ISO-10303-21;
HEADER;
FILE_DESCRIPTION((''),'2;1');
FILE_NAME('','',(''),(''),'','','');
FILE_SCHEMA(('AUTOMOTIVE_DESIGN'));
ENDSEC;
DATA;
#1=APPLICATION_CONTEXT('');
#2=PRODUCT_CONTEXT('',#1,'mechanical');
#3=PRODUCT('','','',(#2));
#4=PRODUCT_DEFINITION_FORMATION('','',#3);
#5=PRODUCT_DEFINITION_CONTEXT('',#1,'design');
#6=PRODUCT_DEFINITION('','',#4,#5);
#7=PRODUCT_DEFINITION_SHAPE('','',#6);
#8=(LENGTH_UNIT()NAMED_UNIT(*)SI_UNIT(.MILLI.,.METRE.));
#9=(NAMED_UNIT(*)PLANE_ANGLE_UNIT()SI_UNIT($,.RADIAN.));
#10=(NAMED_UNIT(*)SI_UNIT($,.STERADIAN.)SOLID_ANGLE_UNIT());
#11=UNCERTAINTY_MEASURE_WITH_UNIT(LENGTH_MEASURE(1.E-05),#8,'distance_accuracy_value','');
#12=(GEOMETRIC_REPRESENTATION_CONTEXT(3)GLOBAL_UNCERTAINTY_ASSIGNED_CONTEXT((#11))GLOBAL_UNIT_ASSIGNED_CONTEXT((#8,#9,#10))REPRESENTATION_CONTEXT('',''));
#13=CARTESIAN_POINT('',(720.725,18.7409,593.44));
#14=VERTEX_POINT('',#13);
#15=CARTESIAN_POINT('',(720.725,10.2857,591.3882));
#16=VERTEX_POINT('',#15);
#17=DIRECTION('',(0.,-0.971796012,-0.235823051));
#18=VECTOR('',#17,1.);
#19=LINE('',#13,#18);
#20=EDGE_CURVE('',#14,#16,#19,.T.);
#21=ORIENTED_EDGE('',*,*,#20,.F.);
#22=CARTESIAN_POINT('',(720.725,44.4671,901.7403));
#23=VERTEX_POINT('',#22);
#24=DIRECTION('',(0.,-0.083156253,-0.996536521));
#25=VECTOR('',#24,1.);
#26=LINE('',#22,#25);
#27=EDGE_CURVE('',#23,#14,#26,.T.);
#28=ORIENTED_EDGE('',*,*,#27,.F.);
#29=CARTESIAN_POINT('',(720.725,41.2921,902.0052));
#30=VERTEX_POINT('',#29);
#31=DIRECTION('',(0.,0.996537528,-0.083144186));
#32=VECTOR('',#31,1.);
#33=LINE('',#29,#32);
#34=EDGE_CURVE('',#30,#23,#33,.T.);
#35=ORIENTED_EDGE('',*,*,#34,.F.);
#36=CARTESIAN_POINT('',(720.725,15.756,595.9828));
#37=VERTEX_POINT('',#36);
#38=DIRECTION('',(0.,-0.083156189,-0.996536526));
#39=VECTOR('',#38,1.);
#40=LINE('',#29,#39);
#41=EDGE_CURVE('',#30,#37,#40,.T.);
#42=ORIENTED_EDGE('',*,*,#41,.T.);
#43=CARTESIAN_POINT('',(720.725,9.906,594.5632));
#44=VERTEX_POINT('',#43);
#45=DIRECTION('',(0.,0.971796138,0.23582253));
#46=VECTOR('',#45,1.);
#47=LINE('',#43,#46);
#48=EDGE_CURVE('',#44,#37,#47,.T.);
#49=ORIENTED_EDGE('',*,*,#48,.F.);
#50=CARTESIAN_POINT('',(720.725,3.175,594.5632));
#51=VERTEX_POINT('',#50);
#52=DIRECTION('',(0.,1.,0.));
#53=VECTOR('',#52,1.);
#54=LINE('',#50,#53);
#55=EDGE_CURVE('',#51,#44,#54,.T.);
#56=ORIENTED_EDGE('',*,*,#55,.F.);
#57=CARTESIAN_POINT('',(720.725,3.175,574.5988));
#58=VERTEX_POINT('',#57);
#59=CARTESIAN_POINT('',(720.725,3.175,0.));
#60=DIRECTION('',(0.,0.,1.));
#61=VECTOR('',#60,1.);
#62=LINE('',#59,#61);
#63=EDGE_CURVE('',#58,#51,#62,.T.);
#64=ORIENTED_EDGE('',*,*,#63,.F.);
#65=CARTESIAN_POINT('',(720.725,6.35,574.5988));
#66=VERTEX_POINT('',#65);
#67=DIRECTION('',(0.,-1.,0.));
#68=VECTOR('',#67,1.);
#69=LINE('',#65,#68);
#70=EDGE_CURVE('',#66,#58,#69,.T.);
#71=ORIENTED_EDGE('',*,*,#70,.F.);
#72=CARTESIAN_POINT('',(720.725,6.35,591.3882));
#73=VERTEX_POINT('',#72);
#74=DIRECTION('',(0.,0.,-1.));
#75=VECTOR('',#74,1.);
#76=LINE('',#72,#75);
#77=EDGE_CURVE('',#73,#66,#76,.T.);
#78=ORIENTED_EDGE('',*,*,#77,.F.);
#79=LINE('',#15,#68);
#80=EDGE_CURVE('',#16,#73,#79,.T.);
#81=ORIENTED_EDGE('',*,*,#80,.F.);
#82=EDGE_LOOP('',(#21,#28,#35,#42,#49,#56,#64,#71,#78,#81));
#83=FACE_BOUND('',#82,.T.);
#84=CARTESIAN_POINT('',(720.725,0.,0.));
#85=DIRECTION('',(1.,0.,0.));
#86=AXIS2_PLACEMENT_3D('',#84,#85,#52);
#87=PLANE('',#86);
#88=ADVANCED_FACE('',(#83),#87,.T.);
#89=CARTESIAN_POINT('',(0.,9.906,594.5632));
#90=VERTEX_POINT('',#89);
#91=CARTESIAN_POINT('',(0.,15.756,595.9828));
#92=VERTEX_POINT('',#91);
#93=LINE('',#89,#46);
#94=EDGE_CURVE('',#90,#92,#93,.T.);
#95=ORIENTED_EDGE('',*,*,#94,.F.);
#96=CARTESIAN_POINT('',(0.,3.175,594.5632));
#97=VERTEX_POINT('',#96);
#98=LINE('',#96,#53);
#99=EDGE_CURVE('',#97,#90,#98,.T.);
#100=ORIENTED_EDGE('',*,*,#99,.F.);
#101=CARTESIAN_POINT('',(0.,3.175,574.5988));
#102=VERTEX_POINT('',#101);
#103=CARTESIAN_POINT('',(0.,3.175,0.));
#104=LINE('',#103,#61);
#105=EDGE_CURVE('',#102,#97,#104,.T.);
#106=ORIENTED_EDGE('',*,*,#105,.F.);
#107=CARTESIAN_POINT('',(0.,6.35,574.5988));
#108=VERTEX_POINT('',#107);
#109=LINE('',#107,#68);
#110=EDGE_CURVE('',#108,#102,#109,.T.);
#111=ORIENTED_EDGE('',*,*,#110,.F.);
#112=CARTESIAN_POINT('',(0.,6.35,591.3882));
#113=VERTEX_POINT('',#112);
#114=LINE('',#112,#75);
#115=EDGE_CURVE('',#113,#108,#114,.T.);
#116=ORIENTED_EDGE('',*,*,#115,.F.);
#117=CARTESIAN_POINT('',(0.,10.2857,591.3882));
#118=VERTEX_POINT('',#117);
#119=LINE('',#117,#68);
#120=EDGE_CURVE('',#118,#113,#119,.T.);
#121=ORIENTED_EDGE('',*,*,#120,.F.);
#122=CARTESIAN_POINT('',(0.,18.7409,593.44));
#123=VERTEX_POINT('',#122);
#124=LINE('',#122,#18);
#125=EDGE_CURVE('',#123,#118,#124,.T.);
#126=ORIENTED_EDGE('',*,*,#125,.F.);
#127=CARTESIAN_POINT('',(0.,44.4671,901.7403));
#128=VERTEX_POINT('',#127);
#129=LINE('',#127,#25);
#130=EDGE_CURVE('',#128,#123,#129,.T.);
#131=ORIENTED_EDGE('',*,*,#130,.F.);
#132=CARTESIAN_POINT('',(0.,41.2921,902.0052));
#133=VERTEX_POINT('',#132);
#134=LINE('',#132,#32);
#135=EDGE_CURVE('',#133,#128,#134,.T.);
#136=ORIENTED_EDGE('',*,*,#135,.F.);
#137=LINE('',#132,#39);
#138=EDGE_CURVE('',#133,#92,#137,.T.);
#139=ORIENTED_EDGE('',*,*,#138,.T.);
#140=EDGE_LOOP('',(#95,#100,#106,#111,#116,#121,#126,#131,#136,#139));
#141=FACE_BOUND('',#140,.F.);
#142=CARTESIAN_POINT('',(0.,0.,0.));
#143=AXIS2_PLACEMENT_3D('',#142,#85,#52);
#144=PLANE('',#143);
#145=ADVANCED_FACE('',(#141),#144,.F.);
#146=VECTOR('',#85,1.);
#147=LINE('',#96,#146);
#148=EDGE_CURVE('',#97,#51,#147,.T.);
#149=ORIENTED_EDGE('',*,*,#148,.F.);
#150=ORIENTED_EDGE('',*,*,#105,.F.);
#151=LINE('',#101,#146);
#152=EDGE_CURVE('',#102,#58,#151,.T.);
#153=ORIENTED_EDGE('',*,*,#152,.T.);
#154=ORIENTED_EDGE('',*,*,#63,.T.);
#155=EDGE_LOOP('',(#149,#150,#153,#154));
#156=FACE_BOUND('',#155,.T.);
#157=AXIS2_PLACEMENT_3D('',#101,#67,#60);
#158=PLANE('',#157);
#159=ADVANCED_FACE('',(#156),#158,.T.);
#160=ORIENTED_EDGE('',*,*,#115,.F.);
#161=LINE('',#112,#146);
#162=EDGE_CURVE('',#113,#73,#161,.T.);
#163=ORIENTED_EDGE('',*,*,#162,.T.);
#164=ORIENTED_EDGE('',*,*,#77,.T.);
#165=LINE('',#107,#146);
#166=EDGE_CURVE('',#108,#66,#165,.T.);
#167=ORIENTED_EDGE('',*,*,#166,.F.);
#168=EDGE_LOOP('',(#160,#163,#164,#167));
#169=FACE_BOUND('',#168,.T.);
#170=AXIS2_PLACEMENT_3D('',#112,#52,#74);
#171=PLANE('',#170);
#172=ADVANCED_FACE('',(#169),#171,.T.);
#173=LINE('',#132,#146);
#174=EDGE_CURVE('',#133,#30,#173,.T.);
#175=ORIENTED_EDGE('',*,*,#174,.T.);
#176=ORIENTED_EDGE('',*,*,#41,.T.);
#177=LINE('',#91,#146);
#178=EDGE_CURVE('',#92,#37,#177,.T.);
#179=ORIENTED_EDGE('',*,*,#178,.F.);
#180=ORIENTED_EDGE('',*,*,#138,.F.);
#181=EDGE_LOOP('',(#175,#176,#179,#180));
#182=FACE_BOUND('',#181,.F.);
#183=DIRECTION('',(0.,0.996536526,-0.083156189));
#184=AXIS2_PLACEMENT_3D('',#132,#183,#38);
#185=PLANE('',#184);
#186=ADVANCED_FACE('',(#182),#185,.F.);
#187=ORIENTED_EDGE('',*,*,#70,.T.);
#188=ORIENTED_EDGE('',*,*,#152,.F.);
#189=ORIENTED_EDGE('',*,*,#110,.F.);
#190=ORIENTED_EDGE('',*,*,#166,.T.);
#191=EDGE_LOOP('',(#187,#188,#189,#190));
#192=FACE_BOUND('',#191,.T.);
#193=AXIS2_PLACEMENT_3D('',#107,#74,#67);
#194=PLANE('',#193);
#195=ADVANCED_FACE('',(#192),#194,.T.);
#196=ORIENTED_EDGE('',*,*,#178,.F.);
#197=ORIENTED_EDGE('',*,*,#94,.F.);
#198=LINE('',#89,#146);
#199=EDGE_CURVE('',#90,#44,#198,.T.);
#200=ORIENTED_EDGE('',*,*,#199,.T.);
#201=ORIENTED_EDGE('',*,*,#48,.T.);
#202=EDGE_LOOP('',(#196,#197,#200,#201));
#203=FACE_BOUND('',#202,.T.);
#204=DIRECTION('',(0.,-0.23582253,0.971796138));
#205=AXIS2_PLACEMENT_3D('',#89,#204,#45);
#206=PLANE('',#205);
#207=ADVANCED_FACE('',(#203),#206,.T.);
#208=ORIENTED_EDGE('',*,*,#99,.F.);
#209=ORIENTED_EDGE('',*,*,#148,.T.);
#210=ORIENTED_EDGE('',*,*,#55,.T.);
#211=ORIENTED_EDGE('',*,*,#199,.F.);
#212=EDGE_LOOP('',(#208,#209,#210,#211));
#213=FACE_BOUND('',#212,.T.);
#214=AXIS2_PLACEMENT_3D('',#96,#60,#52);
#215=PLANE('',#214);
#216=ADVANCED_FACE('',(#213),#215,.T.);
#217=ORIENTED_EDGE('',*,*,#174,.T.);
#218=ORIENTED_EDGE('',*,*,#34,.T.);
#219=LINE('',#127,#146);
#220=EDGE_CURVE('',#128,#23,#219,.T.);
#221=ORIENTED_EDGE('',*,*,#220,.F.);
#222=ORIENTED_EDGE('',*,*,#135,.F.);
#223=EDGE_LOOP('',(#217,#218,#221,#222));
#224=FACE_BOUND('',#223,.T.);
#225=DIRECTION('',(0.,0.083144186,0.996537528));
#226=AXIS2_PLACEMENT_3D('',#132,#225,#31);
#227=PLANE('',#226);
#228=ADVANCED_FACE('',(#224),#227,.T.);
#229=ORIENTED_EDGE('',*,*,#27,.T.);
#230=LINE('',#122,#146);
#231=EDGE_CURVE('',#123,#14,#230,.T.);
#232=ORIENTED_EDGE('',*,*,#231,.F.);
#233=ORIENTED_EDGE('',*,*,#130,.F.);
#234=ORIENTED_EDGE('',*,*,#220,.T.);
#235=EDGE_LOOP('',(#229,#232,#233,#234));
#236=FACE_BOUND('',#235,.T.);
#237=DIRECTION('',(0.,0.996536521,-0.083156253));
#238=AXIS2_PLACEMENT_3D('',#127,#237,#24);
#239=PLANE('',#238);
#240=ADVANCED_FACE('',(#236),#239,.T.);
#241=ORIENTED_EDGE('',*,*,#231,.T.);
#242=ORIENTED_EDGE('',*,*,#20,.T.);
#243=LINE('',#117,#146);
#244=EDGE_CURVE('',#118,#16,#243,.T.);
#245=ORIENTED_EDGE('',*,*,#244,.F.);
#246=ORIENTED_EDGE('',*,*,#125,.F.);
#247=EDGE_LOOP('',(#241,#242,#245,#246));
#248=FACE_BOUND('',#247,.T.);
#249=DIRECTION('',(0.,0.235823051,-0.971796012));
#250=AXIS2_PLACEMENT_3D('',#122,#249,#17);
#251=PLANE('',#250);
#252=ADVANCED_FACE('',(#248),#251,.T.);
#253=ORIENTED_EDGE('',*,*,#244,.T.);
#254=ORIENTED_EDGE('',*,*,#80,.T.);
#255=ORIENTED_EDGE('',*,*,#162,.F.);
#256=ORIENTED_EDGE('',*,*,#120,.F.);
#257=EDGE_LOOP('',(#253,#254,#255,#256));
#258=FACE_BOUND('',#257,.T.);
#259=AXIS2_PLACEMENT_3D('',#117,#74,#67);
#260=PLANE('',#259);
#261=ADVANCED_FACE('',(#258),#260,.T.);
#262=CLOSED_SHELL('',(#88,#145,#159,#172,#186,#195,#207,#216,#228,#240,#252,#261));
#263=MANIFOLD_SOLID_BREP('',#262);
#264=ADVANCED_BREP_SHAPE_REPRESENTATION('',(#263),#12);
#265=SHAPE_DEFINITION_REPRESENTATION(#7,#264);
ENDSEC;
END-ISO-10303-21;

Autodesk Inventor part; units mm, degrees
ref_plane "YZ Plane" through (0, 0, 0) normal (1, 0, 0) x (0, 1, 0)
ref_plane "XZ Plane" through (0, 0, 0) normal (0, 1, 0) x (-1, 0, 0)
ref_plane "XY Plane" through (0, 0, 0) normal (0, 0, 1) x (1, 0, 0)
sketch "Sketch1" plane through (0, 0, 0) normal (1, 0, 0) x (0, 1, 0)
  line L0 (0, 0) -> (0, 597.7382)
  line L1 (0, 0) -> (3.175, 0)
  line L2 (3.175, 0) -> (3.175, 594.5632)
  line L3 (3.175, 594.5632) -> (9.906, 594.5632)
  line L4 (9.906, 594.5632) -> (15.756, 595.9828)
  line L5 (0, 597.7382) -> (9.5263, 597.7382)
  line L6 (9.5263, 597.7382) -> (12.7824, 598.5283)
  line L7 (41.2921, 902.0052) -> (15.756, 595.9828)
  line L8 (12.7824, 598.5283) -> (38.1281, 902.2692)
  line L9 (38.1281, 902.2692) -> (41.2921, 902.0052)
  line L10 (41.2921, 902.0052) -> (44.4671, 901.7403)
  line L11 (44.4671, 901.7403) -> (18.7409, 593.44)
  line L12 (18.7409, 593.44) -> (10.2857, 591.3882)
  line L13 (10.2857, 591.3882) -> (6.35, 591.3882)
  line L14 (6.35, 591.3882) -> (6.35, 574.5988)
  line L15 (6.35, 574.5988) -> (3.175, 574.5988)
  dimension "d0" = 594.5632
  dimension "d1" = 3.175
  dimension "d2" = 6.731
  dimension "d7" = 3.175
  dimension "d8" = 6.0198
  dimension "d9" = 166.36
  dimension "d10" = 3.175
  dimension "d11" = 108.41
  dimension "d12" = 3.175
  dimension "d13" = 307.086
  dimension "d16" = 3.175
  dimension "d18" = 3.175
  dimension "d20" = 307.1025
  dimension "d21" = 8.7006
  dimension "d22" = 3.175
  dimension "d23" = 3.175
  dimension "d24" = 3.9357
  dimension "d25" = 16.7894
extrude "Extrusion2" add sketch "Sketch1" along normal blind 720.725 contours L2 L3 L4 L7 L10 L11 L12 L13 L14 L15
properties part number "First_Shingle_Over_Intake_Vent_With_Length_28.375_Inches"
